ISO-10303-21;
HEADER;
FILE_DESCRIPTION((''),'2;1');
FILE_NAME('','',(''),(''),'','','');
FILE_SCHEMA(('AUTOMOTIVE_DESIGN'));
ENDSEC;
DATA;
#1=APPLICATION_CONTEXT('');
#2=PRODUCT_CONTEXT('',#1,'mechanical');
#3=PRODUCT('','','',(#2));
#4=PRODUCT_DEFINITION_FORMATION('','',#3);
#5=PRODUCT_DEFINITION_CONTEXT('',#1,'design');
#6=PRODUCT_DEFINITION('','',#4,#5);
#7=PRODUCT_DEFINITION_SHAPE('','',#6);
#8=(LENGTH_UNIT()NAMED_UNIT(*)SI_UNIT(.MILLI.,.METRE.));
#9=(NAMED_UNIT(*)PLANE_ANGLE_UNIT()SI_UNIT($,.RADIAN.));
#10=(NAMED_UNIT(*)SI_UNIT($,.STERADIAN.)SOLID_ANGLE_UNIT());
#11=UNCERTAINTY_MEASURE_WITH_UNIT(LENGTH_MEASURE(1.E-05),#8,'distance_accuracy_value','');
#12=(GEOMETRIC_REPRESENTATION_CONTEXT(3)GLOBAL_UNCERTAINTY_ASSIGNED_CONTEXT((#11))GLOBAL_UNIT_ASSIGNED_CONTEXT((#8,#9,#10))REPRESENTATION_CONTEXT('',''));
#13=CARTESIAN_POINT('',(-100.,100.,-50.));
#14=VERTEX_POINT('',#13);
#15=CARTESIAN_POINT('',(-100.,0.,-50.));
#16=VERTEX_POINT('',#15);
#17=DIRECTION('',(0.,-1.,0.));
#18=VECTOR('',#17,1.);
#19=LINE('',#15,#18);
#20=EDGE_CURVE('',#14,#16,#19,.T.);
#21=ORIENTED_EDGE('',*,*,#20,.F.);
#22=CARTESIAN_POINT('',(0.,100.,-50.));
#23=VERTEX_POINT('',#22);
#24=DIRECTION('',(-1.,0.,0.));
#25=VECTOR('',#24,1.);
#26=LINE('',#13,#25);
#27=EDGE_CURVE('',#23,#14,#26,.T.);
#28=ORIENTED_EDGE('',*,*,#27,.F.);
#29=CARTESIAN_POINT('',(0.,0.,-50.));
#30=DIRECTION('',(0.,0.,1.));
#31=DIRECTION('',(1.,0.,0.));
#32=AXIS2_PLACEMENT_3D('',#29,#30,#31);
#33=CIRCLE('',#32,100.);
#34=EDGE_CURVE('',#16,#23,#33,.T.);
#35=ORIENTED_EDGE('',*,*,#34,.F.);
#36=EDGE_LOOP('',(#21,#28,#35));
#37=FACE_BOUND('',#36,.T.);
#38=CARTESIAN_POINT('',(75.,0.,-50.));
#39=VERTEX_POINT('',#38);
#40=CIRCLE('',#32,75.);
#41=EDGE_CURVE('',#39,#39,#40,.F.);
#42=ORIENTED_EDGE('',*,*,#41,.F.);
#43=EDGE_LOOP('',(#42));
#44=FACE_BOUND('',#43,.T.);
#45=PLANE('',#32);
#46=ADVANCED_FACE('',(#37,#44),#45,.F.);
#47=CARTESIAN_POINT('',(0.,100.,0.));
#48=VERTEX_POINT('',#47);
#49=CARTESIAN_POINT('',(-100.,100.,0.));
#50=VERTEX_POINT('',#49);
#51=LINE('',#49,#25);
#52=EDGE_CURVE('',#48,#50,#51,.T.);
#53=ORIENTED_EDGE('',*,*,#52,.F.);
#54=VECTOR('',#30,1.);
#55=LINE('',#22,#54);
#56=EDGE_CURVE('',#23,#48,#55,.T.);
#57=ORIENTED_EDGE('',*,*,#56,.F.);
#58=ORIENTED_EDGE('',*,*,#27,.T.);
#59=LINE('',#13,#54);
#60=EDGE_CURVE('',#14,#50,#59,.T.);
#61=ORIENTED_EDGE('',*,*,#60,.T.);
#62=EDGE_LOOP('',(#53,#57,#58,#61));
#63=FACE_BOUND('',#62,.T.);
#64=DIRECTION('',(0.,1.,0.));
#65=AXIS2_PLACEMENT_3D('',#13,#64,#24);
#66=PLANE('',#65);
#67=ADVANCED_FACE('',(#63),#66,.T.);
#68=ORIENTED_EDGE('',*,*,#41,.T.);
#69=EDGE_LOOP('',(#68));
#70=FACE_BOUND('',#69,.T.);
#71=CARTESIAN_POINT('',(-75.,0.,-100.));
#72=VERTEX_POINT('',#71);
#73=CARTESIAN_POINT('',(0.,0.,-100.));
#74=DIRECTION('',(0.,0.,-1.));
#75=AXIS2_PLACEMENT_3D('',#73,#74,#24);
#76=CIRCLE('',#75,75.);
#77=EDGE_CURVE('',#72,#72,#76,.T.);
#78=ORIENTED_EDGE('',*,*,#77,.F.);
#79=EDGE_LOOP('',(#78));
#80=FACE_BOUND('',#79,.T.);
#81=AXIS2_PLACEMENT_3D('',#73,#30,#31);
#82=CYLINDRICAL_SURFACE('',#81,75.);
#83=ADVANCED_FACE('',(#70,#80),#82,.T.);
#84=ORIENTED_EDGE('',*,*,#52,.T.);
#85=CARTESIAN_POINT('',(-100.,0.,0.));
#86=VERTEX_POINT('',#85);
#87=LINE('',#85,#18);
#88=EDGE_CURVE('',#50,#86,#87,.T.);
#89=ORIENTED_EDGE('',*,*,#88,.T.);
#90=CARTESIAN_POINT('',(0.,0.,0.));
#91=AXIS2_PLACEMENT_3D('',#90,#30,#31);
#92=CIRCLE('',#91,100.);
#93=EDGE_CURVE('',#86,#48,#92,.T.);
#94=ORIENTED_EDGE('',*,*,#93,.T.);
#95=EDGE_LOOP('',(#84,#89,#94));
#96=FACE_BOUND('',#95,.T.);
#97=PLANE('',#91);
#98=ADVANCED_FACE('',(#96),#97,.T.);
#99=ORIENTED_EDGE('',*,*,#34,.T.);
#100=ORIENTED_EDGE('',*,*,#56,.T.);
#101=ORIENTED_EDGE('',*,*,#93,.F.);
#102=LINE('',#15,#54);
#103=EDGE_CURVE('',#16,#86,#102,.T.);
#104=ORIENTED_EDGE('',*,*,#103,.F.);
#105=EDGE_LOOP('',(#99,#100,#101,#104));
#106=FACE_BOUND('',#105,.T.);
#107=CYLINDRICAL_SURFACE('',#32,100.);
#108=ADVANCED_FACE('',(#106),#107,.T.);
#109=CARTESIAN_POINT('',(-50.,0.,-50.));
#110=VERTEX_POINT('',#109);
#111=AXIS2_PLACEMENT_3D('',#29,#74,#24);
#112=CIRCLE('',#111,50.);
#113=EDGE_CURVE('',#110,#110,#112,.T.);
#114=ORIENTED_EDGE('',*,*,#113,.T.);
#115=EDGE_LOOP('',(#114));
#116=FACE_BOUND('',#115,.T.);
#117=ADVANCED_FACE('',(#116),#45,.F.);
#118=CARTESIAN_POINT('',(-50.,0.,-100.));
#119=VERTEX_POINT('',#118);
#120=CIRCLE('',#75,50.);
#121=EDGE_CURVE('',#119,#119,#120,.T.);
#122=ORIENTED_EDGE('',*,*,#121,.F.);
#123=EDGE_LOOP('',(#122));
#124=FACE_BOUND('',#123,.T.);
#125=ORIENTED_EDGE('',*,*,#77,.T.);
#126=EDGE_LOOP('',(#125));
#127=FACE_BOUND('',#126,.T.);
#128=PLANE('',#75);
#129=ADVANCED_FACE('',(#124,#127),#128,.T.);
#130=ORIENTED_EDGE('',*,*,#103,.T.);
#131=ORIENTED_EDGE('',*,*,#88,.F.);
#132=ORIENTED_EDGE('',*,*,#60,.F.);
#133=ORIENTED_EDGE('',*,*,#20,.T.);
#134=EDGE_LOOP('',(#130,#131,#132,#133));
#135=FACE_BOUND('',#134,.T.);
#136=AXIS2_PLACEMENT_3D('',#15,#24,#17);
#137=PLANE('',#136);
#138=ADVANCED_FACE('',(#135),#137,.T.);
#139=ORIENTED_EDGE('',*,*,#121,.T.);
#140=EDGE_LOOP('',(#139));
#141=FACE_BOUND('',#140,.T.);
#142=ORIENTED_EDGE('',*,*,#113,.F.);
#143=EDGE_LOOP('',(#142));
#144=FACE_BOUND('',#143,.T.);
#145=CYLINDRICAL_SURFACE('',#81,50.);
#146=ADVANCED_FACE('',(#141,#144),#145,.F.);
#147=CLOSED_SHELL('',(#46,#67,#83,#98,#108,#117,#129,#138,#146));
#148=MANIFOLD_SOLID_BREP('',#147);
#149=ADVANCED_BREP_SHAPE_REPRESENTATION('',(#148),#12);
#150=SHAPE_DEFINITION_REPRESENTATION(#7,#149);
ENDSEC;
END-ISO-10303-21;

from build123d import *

# Parameters (mm, degrees)
BOSS_EXTRU_1_DEPTH = 50
ESQUISSE2_R        = 75
ESQUISSE2_R_2      = 50
BOSS_EXTRU_2_DEPTH = 50


with BuildPart() as part:
    # Esquisse1 → Boss.-Extru.1 (new body)
    with BuildSketch(Plane.XY):
        with BuildLine():
            Line((-100, 0), (-100, 100))
            Line((-100, 100), (0, 100))
            ThreePointArc((0, 100), (70.710678119, -70.710678119), (-100, 0))
        make_face()
    extrude(amount=-BOSS_EXTRU_1_DEPTH)

    # Esquisse2 → Boss.-Extru.2 (add)
    with BuildSketch(Plane(origin=(0, 0, -50), x_dir=(-1, 0, 0), z_dir=(0, 0, -1))):
        with Locations(Location((0, 0, 0), (0, 0, 180))):  # turned: the seam where the file's is
            Circle(ESQUISSE2_R)
        Circle(ESQUISSE2_R_2, mode=Mode.SUBTRACT)
    extrude(amount=BOSS_EXTRU_2_DEPTH)


solid = part.part
